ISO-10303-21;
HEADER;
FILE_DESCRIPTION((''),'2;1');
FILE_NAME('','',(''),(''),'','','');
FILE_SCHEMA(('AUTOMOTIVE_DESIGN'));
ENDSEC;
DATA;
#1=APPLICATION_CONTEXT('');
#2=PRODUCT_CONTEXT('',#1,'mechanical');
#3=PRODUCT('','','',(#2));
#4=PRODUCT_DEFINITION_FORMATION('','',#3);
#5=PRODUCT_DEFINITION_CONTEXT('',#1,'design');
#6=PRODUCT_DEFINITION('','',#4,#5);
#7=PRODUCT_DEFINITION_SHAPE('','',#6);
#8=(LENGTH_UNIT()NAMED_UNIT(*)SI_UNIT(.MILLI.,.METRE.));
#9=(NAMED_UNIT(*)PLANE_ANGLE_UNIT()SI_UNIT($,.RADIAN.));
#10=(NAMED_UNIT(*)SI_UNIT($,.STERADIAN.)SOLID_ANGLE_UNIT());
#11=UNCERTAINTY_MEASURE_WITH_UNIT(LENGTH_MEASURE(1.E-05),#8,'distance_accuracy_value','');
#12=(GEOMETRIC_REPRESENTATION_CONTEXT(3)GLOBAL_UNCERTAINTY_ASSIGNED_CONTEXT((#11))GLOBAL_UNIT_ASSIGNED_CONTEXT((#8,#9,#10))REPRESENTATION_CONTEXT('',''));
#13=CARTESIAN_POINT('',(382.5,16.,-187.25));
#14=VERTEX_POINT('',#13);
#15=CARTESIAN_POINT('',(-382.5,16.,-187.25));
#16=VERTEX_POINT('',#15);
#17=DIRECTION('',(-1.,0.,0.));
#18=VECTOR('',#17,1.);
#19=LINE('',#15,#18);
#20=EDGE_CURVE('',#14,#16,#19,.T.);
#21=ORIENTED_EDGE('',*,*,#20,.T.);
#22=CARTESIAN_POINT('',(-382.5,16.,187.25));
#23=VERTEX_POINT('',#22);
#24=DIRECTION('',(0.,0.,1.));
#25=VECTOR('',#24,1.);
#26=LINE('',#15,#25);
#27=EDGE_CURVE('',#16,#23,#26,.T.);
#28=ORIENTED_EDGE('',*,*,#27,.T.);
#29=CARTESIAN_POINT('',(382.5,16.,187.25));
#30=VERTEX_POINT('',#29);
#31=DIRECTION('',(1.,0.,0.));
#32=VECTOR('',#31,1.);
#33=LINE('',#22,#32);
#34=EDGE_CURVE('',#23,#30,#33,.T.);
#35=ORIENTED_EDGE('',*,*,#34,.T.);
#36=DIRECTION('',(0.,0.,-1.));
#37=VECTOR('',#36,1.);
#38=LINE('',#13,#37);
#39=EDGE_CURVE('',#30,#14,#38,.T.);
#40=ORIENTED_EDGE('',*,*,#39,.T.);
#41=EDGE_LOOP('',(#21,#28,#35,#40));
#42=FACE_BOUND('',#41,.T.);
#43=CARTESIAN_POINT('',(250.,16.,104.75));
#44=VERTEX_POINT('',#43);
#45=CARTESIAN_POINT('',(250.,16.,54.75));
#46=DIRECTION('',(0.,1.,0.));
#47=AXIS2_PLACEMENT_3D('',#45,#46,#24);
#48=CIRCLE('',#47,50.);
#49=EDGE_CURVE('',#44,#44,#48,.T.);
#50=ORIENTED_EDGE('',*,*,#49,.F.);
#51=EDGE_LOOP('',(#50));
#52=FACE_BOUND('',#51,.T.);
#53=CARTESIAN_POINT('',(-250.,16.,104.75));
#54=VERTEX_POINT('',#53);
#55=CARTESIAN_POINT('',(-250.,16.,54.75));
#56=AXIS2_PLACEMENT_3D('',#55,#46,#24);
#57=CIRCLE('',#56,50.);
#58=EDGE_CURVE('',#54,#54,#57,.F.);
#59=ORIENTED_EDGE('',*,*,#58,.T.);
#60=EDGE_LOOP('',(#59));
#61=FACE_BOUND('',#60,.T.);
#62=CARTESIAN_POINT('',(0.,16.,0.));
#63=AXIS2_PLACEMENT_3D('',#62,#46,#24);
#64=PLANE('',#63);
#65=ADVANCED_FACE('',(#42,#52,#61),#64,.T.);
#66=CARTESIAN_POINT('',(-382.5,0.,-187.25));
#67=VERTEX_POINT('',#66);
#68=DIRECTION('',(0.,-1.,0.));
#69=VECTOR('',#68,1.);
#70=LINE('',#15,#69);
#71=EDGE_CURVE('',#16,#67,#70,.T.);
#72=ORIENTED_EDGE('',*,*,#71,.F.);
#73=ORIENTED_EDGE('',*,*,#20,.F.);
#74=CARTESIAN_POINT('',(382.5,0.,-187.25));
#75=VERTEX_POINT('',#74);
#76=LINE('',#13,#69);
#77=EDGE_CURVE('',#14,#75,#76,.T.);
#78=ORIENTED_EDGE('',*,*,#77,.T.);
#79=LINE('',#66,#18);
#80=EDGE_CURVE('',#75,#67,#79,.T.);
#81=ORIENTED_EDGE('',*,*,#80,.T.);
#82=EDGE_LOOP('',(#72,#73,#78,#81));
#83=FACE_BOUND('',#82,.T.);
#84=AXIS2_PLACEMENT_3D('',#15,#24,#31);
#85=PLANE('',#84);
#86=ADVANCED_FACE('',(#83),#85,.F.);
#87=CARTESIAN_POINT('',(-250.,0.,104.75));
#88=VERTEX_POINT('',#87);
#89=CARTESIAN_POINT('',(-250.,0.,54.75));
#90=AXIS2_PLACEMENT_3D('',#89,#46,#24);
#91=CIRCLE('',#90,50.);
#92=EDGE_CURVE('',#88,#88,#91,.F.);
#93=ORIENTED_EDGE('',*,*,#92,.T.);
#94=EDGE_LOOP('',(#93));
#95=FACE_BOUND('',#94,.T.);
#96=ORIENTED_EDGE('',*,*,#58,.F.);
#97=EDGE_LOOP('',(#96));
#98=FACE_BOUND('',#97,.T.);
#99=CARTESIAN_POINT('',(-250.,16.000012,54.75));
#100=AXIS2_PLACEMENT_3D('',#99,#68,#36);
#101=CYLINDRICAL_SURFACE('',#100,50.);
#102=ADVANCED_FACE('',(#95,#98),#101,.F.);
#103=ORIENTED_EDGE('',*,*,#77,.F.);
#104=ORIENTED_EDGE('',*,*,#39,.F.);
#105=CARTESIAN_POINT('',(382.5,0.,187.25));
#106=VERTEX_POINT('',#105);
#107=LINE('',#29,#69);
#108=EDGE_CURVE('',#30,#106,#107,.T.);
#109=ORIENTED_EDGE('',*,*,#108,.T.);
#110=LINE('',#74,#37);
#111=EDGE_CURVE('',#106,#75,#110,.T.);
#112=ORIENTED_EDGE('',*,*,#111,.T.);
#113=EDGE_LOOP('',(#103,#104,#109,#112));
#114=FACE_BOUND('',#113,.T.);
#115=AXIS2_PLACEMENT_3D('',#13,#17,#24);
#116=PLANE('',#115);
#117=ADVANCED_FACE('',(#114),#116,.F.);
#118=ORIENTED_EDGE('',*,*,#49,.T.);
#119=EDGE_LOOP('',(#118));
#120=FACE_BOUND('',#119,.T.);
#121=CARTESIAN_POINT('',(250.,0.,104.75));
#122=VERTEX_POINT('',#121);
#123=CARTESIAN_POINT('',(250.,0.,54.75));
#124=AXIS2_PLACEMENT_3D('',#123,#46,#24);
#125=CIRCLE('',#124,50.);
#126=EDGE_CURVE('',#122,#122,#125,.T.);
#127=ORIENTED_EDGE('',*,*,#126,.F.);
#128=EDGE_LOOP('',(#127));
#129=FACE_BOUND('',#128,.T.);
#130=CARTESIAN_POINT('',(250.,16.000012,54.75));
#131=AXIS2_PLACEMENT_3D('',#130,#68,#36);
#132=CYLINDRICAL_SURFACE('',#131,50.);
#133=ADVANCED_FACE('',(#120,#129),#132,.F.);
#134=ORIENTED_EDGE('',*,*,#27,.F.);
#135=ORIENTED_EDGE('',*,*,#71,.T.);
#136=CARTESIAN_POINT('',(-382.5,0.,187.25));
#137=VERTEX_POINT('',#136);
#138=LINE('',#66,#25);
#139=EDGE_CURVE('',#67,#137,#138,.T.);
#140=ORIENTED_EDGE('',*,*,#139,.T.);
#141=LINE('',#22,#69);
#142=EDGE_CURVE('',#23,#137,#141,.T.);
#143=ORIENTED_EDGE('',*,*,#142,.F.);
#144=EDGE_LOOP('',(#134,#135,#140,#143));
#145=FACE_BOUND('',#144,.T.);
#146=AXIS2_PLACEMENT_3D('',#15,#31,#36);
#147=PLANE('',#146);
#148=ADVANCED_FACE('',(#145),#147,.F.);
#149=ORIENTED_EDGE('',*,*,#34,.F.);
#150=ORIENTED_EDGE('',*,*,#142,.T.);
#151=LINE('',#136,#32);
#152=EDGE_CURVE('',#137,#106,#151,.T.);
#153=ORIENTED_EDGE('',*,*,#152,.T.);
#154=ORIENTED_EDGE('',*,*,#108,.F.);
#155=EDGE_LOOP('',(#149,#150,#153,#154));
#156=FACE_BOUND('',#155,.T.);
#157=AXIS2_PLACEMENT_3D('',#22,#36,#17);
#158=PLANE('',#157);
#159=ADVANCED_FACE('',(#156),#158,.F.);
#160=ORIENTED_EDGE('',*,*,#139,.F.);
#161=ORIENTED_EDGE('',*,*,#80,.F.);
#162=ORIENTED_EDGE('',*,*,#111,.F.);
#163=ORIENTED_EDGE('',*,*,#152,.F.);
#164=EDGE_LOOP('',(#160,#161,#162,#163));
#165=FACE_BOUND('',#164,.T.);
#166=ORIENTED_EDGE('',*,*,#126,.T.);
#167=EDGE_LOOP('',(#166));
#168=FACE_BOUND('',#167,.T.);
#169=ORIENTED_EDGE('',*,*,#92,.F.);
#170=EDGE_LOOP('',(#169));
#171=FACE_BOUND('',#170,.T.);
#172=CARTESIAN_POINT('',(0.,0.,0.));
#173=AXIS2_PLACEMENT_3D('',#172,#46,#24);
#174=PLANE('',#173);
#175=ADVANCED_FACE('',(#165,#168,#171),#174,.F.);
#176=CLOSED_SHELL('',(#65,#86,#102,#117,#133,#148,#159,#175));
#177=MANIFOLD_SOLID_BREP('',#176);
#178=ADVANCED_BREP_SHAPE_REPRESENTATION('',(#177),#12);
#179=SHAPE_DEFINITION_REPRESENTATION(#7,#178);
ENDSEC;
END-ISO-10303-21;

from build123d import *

# Parameters (mm, degrees)
SKETCH1_W                      = 765
SKETCH1_H                      = 374.5
BOSS_EXTRUDE1_DEPTH            = 16
CUT_EXTRUDE1_REACH             = 18
SKETCH2_R                      = 50
CUT_EXTRUDE1_DIRECTION_2_DEPTH = 1


with BuildPart() as part:
    # Sketch1 → Boss-Extrude1 (new body)
    with BuildSketch(Plane(origin=(0, 0, 0), x_dir=(1, 0, 0), z_dir=(0, 1, 0))):
        Rectangle(SKETCH1_W, SKETCH1_H)
    extrude(amount=BOSS_EXTRUDE1_DEPTH)

    # Sketch2 → Cut-Extrude1 (cut, up to next)
    with BuildSketch(Plane(origin=(0, 16, 0), x_dir=(1, 0, 0), z_dir=(0, 1, 0)), mode=Mode.PRIVATE) as cut_extrude1_sk1:
        with Locations((-250, -54.75)):
            Circle(SKETCH2_R)
    cut_extrude1_tool1 = extrude(cut_extrude1_sk1.sketch, amount=-CUT_EXTRUDE1_REACH, mode=Mode.PRIVATE) & part.part
    add(cut_extrude1_tool1.solids().sort_by_distance((-250, 16, 54.75))[0], mode=Mode.SUBTRACT)
    # Sketch2 → Cut-Extrude1 (cut, up to next)
    with BuildSketch(Plane(origin=(0, 16, 0), x_dir=(1, 0, 0), z_dir=(0, 1, 0)), mode=Mode.PRIVATE) as cut_extrude1_sk2:
        with Locations((250, -54.75)):
            Circle(SKETCH2_R)
    cut_extrude1_tool2 = extrude(cut_extrude1_sk2.sketch, amount=-CUT_EXTRUDE1_REACH, mode=Mode.PRIVATE) & part.part
    add(cut_extrude1_tool2.solids().sort_by_distance((250, 16, 54.75))[0], mode=Mode.SUBTRACT)

    # Sketch2 → Cut-Extrude1 direction 2 (cut)
    with BuildSketch(Plane(origin=(0, 16, 0), x_dir=(1, 0, 0), z_dir=(0, 1, 0))):
        with Locations((-250, -54.75)):
            Circle(SKETCH2_R)
        with Locations((250, -54.75)):
            Circle(SKETCH2_R)
    extrude(amount=CUT_EXTRUDE1_DIRECTION_2_DEPTH, mode=Mode.SUBTRACT)


solid = part.part
